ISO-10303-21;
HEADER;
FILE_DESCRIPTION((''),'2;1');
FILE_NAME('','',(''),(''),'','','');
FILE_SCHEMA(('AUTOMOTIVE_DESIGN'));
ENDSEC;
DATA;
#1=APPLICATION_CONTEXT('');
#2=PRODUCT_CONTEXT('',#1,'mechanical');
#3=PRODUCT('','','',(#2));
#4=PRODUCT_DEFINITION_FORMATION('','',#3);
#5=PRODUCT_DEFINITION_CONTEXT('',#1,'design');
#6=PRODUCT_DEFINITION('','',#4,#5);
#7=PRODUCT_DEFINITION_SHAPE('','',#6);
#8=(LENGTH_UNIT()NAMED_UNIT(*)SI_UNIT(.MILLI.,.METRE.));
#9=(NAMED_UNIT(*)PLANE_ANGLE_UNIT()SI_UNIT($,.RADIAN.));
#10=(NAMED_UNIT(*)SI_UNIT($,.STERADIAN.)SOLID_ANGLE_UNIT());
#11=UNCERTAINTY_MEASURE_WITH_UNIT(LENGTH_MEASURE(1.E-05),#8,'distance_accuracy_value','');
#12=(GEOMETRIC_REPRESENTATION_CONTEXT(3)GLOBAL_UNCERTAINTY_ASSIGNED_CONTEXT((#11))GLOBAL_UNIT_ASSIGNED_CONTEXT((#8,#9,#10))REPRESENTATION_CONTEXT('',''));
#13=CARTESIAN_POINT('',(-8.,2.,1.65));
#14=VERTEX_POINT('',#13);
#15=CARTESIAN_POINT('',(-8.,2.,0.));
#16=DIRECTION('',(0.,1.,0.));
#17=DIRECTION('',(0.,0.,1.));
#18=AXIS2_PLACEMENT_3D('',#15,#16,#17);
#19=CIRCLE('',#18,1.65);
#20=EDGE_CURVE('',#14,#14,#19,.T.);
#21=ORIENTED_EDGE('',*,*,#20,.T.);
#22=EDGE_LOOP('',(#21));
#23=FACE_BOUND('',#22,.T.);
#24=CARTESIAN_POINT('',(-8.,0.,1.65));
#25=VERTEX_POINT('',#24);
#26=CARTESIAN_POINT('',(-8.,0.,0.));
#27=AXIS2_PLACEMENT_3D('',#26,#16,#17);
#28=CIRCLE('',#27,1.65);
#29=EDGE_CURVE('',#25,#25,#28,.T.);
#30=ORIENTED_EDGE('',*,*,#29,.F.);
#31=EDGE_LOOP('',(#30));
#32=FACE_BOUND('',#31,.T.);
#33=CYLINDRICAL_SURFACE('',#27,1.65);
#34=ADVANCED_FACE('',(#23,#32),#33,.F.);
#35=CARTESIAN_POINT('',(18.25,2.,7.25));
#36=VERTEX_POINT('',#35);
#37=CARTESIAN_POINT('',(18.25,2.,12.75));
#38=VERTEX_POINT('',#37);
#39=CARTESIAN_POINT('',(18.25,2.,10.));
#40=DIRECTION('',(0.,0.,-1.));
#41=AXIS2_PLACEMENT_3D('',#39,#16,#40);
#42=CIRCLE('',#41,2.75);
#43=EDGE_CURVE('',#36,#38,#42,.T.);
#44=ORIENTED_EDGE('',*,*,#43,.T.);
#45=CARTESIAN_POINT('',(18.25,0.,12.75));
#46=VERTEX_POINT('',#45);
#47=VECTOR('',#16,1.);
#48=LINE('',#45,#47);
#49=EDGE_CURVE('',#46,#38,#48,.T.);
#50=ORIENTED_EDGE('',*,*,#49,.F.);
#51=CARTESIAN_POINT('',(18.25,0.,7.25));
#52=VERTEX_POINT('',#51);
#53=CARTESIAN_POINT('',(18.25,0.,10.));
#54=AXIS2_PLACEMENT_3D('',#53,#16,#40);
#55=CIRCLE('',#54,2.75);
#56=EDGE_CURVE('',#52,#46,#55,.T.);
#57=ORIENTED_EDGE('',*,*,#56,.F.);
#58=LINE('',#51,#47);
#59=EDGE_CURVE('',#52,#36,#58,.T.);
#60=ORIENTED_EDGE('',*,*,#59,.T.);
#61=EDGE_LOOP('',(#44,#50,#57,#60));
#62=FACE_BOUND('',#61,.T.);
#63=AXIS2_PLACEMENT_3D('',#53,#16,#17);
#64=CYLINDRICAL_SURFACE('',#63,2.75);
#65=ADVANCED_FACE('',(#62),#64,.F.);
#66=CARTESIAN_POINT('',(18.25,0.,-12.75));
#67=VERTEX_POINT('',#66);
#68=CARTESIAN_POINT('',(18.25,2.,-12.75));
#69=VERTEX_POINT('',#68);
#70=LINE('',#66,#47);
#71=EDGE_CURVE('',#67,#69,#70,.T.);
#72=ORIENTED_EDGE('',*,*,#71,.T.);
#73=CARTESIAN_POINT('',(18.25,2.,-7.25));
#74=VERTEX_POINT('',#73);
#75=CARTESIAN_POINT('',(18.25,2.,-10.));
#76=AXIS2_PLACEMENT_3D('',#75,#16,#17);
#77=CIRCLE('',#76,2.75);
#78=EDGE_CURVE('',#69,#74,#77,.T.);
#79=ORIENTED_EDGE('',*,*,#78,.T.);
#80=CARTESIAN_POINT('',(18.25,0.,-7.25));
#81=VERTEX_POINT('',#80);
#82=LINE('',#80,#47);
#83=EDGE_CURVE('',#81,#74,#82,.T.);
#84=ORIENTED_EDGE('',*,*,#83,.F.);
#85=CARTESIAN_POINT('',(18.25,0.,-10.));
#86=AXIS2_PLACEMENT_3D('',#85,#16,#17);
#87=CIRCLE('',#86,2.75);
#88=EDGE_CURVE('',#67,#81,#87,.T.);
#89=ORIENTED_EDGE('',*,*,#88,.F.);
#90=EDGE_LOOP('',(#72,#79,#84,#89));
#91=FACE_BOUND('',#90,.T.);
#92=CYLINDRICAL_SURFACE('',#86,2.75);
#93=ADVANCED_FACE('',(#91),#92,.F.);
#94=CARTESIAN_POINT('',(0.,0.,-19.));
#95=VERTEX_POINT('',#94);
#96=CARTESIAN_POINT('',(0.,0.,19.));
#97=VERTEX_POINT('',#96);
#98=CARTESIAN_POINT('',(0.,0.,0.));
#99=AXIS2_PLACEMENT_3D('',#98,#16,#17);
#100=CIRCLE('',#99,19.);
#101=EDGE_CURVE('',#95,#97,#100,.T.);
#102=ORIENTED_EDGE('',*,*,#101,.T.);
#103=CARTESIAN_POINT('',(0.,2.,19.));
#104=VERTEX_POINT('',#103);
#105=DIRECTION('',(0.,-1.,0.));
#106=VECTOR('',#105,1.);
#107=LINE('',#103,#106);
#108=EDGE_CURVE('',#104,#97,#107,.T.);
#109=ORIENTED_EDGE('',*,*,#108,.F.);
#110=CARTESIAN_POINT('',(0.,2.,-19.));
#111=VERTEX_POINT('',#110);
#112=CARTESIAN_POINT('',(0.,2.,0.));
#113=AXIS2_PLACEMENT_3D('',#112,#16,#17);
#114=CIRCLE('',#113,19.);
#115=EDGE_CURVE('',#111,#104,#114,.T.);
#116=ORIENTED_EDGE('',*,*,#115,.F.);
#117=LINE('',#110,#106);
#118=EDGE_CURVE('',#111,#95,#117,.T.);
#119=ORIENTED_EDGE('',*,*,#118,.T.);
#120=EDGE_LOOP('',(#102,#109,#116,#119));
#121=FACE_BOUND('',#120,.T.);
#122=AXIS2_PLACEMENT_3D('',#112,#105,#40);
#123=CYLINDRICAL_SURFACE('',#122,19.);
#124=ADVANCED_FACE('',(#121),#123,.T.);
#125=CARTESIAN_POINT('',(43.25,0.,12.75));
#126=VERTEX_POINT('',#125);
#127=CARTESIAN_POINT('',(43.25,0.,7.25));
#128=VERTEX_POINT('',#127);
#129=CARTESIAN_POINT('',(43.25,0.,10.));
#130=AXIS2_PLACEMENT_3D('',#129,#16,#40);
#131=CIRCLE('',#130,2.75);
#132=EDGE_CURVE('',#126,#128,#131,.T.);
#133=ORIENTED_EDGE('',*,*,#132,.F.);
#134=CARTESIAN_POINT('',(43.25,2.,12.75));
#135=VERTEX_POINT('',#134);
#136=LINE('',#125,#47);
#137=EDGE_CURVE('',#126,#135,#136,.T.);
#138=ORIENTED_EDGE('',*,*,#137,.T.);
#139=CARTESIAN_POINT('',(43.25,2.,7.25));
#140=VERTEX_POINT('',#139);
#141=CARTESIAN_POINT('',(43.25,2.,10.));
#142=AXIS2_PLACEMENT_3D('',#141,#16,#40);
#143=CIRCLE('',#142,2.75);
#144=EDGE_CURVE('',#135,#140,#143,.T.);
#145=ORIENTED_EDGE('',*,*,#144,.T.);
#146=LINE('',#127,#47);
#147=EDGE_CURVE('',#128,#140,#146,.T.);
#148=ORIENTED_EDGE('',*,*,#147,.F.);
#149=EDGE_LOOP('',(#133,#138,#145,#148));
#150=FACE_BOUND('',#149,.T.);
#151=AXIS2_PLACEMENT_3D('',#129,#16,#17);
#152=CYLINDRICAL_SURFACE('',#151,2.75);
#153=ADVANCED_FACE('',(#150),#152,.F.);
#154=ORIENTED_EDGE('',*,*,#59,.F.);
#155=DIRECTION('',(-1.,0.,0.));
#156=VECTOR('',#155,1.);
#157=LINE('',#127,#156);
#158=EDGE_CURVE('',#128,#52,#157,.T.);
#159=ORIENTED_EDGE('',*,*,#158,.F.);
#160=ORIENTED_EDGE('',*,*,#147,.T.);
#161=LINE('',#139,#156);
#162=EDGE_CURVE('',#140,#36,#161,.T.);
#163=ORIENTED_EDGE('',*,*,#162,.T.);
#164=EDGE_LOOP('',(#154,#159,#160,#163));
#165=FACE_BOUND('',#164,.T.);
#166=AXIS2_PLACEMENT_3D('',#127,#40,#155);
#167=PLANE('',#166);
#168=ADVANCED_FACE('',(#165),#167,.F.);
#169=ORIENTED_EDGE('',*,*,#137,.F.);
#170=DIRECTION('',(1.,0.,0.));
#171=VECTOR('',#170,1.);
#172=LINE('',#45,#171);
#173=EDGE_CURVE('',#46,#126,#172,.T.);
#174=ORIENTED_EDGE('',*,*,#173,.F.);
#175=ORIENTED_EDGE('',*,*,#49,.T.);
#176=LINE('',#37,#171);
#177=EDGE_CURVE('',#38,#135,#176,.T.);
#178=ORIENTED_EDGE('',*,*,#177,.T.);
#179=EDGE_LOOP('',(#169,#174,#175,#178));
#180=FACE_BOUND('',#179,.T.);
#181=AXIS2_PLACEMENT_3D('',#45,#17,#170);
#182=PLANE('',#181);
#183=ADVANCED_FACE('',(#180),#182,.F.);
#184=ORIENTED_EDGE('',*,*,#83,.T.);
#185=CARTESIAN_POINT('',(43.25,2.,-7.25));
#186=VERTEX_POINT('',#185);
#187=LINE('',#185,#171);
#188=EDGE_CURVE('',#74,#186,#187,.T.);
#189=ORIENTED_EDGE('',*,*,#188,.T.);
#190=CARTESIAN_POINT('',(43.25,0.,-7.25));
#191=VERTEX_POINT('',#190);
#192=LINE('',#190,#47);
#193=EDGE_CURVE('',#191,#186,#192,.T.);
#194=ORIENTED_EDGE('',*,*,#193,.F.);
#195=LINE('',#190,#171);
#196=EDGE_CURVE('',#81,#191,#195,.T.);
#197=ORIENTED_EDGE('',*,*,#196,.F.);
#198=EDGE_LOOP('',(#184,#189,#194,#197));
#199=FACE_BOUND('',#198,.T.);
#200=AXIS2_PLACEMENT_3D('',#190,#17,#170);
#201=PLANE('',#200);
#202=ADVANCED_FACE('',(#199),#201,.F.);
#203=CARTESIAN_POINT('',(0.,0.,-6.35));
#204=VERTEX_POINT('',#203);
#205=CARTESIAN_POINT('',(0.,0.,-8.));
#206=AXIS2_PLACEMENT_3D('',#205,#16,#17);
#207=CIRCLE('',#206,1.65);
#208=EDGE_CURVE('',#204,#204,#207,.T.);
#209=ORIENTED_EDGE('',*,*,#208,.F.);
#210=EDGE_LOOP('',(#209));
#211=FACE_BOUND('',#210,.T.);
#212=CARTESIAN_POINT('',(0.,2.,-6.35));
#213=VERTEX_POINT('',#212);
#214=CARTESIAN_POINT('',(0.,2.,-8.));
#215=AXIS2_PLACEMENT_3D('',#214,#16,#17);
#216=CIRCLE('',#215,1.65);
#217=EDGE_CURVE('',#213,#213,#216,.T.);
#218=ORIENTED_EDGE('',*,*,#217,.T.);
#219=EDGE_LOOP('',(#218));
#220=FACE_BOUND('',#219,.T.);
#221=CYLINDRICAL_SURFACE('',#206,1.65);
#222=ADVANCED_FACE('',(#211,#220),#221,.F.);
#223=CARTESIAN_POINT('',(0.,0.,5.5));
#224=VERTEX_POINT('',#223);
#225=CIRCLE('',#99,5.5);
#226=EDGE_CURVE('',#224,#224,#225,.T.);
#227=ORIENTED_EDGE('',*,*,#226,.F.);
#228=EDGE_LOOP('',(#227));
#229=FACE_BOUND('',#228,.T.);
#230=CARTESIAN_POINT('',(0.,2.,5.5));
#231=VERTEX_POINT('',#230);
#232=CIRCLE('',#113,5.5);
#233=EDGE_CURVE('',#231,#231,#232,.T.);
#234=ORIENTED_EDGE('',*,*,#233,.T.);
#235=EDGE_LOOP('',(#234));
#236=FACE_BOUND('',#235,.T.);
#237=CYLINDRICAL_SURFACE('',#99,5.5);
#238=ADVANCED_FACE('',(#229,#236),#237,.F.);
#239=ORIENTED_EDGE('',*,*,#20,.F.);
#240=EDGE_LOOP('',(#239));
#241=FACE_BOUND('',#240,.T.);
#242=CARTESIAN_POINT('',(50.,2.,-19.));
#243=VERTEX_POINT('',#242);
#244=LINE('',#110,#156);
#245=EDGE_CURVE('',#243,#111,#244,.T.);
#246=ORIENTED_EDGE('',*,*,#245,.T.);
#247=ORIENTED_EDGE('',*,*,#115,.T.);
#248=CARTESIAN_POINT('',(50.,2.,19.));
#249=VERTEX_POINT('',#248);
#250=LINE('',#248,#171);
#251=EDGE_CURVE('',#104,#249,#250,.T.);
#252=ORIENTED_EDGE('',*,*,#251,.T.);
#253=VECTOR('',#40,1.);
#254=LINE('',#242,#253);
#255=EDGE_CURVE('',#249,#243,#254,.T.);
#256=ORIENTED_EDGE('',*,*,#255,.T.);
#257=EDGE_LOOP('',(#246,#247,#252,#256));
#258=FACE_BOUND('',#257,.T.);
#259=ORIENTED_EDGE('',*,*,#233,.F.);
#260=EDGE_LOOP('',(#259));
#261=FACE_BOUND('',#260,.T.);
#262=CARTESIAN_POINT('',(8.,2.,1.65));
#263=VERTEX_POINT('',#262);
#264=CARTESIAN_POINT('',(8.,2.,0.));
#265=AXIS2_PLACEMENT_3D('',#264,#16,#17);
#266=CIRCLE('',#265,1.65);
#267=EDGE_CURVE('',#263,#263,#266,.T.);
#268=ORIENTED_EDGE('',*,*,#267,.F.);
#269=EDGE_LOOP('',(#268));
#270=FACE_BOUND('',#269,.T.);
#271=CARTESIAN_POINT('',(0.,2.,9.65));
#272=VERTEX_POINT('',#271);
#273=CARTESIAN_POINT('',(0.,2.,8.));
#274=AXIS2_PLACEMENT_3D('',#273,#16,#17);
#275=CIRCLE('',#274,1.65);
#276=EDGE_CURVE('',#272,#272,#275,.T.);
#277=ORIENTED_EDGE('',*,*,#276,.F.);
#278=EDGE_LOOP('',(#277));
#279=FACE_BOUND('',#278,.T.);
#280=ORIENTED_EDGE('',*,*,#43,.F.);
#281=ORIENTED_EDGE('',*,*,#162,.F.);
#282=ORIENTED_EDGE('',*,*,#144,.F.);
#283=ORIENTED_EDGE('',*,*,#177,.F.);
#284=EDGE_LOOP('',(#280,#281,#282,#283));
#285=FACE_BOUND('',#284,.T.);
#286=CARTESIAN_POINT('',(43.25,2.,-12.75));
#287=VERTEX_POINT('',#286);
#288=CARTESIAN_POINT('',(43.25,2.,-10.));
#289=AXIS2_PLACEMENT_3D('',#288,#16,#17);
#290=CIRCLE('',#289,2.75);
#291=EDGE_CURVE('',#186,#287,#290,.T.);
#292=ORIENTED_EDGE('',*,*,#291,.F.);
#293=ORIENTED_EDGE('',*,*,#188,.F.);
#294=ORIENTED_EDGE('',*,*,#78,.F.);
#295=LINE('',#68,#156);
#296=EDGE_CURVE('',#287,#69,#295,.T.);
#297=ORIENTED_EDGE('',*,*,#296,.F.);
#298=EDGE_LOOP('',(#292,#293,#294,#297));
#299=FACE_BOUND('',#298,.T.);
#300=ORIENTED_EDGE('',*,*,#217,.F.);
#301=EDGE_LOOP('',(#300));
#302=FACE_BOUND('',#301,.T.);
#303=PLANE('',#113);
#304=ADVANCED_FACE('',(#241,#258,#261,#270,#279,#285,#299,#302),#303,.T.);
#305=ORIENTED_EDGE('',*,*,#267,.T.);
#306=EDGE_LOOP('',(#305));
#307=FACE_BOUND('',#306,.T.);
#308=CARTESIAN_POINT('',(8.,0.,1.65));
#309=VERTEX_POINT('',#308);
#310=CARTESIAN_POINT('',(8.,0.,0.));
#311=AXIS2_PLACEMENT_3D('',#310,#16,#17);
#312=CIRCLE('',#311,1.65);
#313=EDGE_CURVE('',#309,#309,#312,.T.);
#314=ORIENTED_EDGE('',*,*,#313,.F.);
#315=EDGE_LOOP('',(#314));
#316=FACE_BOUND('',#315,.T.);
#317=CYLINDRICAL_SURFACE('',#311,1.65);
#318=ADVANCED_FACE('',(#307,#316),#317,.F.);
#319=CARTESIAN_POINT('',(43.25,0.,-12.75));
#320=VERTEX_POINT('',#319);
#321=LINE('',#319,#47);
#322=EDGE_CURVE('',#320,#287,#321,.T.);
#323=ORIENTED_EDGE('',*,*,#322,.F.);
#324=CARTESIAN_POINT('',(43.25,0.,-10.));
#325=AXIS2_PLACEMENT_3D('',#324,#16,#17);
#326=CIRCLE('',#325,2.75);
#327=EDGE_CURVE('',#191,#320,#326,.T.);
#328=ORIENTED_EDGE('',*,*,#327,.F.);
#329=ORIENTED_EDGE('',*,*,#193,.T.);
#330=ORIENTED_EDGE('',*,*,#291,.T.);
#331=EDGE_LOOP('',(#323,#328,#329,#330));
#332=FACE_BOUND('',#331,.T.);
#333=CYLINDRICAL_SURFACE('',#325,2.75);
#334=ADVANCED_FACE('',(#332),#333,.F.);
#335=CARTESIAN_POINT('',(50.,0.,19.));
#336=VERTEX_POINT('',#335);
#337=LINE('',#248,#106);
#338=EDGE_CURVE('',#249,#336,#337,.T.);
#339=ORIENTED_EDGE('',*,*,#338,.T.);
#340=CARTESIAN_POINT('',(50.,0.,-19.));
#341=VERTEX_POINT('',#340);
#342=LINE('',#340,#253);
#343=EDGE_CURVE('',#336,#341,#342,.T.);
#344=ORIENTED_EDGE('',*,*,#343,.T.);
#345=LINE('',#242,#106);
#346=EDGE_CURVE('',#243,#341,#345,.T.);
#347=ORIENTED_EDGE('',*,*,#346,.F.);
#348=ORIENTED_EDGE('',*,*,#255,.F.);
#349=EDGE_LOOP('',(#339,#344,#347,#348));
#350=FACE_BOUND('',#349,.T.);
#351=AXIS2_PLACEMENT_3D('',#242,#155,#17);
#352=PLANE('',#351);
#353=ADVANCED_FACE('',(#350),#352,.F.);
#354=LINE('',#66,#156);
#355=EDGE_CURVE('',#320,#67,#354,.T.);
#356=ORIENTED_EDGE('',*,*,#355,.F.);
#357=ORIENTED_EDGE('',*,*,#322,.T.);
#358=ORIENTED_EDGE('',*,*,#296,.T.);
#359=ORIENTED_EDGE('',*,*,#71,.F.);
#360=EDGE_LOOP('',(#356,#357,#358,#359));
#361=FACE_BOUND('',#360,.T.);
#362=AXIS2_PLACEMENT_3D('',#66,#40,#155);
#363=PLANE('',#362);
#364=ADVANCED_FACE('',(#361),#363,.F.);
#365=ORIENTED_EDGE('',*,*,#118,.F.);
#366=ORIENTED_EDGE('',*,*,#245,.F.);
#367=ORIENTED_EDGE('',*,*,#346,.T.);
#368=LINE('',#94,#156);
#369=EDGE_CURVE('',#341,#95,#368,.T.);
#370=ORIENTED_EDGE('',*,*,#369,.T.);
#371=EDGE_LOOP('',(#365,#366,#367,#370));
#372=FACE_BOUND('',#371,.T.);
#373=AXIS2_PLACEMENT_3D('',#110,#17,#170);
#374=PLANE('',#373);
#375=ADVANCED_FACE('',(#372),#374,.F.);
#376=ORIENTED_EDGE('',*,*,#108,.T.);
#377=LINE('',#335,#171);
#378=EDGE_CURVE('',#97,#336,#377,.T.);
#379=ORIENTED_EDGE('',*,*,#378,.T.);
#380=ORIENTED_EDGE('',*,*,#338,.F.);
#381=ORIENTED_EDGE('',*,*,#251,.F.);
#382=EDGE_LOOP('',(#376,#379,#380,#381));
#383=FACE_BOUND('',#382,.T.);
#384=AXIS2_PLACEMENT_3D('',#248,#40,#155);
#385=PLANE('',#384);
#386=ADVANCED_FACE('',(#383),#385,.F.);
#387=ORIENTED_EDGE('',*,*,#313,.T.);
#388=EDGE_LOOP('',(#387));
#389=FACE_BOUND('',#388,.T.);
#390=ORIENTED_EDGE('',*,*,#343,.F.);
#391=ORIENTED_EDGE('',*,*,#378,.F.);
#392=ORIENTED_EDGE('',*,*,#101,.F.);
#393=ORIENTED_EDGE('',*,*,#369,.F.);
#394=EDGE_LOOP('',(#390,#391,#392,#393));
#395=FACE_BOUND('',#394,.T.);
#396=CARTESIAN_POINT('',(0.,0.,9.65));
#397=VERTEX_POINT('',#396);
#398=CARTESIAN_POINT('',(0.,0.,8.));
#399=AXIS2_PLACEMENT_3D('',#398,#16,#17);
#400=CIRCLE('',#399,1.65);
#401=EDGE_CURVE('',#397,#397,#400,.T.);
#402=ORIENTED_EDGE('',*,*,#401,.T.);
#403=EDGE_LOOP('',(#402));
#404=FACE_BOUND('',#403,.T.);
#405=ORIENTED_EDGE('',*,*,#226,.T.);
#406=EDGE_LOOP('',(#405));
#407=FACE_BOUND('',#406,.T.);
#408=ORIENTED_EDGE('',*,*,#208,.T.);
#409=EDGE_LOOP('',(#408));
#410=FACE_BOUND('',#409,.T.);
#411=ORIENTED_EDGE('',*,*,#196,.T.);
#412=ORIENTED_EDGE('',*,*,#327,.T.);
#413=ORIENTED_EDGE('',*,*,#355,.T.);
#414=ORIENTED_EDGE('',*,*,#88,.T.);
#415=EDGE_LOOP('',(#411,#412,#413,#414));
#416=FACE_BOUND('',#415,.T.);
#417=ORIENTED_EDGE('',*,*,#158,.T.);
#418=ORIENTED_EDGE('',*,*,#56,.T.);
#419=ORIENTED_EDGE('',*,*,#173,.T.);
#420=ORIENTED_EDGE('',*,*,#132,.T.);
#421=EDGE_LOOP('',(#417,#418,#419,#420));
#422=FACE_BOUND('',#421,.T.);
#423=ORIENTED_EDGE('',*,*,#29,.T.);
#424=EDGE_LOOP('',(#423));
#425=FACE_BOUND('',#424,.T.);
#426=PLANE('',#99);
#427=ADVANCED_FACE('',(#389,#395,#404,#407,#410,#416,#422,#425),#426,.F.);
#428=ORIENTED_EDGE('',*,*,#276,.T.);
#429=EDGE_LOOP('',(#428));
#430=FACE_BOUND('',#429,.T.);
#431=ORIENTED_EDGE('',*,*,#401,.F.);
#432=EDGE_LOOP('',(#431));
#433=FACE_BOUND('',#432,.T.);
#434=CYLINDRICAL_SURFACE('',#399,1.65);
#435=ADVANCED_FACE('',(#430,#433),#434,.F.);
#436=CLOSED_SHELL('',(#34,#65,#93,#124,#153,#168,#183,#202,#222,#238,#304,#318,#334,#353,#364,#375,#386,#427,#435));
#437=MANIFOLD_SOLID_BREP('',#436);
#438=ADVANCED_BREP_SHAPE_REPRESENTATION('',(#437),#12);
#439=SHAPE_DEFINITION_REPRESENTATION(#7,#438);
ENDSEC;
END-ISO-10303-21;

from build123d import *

# Parameters (mm, degrees)
EXTRUDE_1_DEPTH     = 2
SKETCH_2_R          = 5.5
SKETCH_2_R_2        = 1.65
CUT_EXTRUDE_1_DEPTH = 3


with BuildPart() as part:
    # 草图1 → 凸台-拉伸1 (new body)
    with BuildSketch(Plane(origin=(0, 0, 0), x_dir=(1, 0, 0), z_dir=(0, 1, 0))):
        with BuildLine():
            Line((0, 19), (50, 19))
            Line((50, 19), (50, -19))
            Line((50, -19), (0, -19))
            ThreePointArc((0, -19), (-19, 0), (0, 19))
        make_face()
    extrude(amount=EXTRUDE_1_DEPTH)

    # 草图2 → 切除-拉伸1 (cut, through all)
    with BuildSketch(Plane(origin=(0, 2, 0), x_dir=(1, 0, 0), z_dir=(0, 1, 0))):
        Circle(SKETCH_2_R)
        with Locations((0, -8)):
            Circle(SKETCH_2_R_2)
        with Locations((-8, 0)):
            Circle(SKETCH_2_R_2)
        with Locations((0, 8)):
            Circle(SKETCH_2_R_2)
        with Locations((8, 0)):
            Circle(SKETCH_2_R_2)
        with BuildLine():
            Line((18.25, 12.75), (43.25, 12.75))
            ThreePointArc((43.25, 12.75), (46, 10), (43.25, 7.25))
            Line((43.25, 7.25), (18.25, 7.25))
            ThreePointArc((18.25, 7.25), (15.5, 10), (18.25, 12.75))
        make_face()
        with BuildLine():
            Line((43.25, -7.25), (18.25, -7.25))
            ThreePointArc((18.25, -7.25), (15.5, -10), (18.25, -12.75))
            Line((18.25, -12.75), (43.25, -12.75))
            ThreePointArc((43.25, -12.75), (46, -10), (43.25, -7.25))
        make_face()
    extrude(amount=-CUT_EXTRUDE_1_DEPTH, mode=Mode.SUBTRACT)


solid = part.part
